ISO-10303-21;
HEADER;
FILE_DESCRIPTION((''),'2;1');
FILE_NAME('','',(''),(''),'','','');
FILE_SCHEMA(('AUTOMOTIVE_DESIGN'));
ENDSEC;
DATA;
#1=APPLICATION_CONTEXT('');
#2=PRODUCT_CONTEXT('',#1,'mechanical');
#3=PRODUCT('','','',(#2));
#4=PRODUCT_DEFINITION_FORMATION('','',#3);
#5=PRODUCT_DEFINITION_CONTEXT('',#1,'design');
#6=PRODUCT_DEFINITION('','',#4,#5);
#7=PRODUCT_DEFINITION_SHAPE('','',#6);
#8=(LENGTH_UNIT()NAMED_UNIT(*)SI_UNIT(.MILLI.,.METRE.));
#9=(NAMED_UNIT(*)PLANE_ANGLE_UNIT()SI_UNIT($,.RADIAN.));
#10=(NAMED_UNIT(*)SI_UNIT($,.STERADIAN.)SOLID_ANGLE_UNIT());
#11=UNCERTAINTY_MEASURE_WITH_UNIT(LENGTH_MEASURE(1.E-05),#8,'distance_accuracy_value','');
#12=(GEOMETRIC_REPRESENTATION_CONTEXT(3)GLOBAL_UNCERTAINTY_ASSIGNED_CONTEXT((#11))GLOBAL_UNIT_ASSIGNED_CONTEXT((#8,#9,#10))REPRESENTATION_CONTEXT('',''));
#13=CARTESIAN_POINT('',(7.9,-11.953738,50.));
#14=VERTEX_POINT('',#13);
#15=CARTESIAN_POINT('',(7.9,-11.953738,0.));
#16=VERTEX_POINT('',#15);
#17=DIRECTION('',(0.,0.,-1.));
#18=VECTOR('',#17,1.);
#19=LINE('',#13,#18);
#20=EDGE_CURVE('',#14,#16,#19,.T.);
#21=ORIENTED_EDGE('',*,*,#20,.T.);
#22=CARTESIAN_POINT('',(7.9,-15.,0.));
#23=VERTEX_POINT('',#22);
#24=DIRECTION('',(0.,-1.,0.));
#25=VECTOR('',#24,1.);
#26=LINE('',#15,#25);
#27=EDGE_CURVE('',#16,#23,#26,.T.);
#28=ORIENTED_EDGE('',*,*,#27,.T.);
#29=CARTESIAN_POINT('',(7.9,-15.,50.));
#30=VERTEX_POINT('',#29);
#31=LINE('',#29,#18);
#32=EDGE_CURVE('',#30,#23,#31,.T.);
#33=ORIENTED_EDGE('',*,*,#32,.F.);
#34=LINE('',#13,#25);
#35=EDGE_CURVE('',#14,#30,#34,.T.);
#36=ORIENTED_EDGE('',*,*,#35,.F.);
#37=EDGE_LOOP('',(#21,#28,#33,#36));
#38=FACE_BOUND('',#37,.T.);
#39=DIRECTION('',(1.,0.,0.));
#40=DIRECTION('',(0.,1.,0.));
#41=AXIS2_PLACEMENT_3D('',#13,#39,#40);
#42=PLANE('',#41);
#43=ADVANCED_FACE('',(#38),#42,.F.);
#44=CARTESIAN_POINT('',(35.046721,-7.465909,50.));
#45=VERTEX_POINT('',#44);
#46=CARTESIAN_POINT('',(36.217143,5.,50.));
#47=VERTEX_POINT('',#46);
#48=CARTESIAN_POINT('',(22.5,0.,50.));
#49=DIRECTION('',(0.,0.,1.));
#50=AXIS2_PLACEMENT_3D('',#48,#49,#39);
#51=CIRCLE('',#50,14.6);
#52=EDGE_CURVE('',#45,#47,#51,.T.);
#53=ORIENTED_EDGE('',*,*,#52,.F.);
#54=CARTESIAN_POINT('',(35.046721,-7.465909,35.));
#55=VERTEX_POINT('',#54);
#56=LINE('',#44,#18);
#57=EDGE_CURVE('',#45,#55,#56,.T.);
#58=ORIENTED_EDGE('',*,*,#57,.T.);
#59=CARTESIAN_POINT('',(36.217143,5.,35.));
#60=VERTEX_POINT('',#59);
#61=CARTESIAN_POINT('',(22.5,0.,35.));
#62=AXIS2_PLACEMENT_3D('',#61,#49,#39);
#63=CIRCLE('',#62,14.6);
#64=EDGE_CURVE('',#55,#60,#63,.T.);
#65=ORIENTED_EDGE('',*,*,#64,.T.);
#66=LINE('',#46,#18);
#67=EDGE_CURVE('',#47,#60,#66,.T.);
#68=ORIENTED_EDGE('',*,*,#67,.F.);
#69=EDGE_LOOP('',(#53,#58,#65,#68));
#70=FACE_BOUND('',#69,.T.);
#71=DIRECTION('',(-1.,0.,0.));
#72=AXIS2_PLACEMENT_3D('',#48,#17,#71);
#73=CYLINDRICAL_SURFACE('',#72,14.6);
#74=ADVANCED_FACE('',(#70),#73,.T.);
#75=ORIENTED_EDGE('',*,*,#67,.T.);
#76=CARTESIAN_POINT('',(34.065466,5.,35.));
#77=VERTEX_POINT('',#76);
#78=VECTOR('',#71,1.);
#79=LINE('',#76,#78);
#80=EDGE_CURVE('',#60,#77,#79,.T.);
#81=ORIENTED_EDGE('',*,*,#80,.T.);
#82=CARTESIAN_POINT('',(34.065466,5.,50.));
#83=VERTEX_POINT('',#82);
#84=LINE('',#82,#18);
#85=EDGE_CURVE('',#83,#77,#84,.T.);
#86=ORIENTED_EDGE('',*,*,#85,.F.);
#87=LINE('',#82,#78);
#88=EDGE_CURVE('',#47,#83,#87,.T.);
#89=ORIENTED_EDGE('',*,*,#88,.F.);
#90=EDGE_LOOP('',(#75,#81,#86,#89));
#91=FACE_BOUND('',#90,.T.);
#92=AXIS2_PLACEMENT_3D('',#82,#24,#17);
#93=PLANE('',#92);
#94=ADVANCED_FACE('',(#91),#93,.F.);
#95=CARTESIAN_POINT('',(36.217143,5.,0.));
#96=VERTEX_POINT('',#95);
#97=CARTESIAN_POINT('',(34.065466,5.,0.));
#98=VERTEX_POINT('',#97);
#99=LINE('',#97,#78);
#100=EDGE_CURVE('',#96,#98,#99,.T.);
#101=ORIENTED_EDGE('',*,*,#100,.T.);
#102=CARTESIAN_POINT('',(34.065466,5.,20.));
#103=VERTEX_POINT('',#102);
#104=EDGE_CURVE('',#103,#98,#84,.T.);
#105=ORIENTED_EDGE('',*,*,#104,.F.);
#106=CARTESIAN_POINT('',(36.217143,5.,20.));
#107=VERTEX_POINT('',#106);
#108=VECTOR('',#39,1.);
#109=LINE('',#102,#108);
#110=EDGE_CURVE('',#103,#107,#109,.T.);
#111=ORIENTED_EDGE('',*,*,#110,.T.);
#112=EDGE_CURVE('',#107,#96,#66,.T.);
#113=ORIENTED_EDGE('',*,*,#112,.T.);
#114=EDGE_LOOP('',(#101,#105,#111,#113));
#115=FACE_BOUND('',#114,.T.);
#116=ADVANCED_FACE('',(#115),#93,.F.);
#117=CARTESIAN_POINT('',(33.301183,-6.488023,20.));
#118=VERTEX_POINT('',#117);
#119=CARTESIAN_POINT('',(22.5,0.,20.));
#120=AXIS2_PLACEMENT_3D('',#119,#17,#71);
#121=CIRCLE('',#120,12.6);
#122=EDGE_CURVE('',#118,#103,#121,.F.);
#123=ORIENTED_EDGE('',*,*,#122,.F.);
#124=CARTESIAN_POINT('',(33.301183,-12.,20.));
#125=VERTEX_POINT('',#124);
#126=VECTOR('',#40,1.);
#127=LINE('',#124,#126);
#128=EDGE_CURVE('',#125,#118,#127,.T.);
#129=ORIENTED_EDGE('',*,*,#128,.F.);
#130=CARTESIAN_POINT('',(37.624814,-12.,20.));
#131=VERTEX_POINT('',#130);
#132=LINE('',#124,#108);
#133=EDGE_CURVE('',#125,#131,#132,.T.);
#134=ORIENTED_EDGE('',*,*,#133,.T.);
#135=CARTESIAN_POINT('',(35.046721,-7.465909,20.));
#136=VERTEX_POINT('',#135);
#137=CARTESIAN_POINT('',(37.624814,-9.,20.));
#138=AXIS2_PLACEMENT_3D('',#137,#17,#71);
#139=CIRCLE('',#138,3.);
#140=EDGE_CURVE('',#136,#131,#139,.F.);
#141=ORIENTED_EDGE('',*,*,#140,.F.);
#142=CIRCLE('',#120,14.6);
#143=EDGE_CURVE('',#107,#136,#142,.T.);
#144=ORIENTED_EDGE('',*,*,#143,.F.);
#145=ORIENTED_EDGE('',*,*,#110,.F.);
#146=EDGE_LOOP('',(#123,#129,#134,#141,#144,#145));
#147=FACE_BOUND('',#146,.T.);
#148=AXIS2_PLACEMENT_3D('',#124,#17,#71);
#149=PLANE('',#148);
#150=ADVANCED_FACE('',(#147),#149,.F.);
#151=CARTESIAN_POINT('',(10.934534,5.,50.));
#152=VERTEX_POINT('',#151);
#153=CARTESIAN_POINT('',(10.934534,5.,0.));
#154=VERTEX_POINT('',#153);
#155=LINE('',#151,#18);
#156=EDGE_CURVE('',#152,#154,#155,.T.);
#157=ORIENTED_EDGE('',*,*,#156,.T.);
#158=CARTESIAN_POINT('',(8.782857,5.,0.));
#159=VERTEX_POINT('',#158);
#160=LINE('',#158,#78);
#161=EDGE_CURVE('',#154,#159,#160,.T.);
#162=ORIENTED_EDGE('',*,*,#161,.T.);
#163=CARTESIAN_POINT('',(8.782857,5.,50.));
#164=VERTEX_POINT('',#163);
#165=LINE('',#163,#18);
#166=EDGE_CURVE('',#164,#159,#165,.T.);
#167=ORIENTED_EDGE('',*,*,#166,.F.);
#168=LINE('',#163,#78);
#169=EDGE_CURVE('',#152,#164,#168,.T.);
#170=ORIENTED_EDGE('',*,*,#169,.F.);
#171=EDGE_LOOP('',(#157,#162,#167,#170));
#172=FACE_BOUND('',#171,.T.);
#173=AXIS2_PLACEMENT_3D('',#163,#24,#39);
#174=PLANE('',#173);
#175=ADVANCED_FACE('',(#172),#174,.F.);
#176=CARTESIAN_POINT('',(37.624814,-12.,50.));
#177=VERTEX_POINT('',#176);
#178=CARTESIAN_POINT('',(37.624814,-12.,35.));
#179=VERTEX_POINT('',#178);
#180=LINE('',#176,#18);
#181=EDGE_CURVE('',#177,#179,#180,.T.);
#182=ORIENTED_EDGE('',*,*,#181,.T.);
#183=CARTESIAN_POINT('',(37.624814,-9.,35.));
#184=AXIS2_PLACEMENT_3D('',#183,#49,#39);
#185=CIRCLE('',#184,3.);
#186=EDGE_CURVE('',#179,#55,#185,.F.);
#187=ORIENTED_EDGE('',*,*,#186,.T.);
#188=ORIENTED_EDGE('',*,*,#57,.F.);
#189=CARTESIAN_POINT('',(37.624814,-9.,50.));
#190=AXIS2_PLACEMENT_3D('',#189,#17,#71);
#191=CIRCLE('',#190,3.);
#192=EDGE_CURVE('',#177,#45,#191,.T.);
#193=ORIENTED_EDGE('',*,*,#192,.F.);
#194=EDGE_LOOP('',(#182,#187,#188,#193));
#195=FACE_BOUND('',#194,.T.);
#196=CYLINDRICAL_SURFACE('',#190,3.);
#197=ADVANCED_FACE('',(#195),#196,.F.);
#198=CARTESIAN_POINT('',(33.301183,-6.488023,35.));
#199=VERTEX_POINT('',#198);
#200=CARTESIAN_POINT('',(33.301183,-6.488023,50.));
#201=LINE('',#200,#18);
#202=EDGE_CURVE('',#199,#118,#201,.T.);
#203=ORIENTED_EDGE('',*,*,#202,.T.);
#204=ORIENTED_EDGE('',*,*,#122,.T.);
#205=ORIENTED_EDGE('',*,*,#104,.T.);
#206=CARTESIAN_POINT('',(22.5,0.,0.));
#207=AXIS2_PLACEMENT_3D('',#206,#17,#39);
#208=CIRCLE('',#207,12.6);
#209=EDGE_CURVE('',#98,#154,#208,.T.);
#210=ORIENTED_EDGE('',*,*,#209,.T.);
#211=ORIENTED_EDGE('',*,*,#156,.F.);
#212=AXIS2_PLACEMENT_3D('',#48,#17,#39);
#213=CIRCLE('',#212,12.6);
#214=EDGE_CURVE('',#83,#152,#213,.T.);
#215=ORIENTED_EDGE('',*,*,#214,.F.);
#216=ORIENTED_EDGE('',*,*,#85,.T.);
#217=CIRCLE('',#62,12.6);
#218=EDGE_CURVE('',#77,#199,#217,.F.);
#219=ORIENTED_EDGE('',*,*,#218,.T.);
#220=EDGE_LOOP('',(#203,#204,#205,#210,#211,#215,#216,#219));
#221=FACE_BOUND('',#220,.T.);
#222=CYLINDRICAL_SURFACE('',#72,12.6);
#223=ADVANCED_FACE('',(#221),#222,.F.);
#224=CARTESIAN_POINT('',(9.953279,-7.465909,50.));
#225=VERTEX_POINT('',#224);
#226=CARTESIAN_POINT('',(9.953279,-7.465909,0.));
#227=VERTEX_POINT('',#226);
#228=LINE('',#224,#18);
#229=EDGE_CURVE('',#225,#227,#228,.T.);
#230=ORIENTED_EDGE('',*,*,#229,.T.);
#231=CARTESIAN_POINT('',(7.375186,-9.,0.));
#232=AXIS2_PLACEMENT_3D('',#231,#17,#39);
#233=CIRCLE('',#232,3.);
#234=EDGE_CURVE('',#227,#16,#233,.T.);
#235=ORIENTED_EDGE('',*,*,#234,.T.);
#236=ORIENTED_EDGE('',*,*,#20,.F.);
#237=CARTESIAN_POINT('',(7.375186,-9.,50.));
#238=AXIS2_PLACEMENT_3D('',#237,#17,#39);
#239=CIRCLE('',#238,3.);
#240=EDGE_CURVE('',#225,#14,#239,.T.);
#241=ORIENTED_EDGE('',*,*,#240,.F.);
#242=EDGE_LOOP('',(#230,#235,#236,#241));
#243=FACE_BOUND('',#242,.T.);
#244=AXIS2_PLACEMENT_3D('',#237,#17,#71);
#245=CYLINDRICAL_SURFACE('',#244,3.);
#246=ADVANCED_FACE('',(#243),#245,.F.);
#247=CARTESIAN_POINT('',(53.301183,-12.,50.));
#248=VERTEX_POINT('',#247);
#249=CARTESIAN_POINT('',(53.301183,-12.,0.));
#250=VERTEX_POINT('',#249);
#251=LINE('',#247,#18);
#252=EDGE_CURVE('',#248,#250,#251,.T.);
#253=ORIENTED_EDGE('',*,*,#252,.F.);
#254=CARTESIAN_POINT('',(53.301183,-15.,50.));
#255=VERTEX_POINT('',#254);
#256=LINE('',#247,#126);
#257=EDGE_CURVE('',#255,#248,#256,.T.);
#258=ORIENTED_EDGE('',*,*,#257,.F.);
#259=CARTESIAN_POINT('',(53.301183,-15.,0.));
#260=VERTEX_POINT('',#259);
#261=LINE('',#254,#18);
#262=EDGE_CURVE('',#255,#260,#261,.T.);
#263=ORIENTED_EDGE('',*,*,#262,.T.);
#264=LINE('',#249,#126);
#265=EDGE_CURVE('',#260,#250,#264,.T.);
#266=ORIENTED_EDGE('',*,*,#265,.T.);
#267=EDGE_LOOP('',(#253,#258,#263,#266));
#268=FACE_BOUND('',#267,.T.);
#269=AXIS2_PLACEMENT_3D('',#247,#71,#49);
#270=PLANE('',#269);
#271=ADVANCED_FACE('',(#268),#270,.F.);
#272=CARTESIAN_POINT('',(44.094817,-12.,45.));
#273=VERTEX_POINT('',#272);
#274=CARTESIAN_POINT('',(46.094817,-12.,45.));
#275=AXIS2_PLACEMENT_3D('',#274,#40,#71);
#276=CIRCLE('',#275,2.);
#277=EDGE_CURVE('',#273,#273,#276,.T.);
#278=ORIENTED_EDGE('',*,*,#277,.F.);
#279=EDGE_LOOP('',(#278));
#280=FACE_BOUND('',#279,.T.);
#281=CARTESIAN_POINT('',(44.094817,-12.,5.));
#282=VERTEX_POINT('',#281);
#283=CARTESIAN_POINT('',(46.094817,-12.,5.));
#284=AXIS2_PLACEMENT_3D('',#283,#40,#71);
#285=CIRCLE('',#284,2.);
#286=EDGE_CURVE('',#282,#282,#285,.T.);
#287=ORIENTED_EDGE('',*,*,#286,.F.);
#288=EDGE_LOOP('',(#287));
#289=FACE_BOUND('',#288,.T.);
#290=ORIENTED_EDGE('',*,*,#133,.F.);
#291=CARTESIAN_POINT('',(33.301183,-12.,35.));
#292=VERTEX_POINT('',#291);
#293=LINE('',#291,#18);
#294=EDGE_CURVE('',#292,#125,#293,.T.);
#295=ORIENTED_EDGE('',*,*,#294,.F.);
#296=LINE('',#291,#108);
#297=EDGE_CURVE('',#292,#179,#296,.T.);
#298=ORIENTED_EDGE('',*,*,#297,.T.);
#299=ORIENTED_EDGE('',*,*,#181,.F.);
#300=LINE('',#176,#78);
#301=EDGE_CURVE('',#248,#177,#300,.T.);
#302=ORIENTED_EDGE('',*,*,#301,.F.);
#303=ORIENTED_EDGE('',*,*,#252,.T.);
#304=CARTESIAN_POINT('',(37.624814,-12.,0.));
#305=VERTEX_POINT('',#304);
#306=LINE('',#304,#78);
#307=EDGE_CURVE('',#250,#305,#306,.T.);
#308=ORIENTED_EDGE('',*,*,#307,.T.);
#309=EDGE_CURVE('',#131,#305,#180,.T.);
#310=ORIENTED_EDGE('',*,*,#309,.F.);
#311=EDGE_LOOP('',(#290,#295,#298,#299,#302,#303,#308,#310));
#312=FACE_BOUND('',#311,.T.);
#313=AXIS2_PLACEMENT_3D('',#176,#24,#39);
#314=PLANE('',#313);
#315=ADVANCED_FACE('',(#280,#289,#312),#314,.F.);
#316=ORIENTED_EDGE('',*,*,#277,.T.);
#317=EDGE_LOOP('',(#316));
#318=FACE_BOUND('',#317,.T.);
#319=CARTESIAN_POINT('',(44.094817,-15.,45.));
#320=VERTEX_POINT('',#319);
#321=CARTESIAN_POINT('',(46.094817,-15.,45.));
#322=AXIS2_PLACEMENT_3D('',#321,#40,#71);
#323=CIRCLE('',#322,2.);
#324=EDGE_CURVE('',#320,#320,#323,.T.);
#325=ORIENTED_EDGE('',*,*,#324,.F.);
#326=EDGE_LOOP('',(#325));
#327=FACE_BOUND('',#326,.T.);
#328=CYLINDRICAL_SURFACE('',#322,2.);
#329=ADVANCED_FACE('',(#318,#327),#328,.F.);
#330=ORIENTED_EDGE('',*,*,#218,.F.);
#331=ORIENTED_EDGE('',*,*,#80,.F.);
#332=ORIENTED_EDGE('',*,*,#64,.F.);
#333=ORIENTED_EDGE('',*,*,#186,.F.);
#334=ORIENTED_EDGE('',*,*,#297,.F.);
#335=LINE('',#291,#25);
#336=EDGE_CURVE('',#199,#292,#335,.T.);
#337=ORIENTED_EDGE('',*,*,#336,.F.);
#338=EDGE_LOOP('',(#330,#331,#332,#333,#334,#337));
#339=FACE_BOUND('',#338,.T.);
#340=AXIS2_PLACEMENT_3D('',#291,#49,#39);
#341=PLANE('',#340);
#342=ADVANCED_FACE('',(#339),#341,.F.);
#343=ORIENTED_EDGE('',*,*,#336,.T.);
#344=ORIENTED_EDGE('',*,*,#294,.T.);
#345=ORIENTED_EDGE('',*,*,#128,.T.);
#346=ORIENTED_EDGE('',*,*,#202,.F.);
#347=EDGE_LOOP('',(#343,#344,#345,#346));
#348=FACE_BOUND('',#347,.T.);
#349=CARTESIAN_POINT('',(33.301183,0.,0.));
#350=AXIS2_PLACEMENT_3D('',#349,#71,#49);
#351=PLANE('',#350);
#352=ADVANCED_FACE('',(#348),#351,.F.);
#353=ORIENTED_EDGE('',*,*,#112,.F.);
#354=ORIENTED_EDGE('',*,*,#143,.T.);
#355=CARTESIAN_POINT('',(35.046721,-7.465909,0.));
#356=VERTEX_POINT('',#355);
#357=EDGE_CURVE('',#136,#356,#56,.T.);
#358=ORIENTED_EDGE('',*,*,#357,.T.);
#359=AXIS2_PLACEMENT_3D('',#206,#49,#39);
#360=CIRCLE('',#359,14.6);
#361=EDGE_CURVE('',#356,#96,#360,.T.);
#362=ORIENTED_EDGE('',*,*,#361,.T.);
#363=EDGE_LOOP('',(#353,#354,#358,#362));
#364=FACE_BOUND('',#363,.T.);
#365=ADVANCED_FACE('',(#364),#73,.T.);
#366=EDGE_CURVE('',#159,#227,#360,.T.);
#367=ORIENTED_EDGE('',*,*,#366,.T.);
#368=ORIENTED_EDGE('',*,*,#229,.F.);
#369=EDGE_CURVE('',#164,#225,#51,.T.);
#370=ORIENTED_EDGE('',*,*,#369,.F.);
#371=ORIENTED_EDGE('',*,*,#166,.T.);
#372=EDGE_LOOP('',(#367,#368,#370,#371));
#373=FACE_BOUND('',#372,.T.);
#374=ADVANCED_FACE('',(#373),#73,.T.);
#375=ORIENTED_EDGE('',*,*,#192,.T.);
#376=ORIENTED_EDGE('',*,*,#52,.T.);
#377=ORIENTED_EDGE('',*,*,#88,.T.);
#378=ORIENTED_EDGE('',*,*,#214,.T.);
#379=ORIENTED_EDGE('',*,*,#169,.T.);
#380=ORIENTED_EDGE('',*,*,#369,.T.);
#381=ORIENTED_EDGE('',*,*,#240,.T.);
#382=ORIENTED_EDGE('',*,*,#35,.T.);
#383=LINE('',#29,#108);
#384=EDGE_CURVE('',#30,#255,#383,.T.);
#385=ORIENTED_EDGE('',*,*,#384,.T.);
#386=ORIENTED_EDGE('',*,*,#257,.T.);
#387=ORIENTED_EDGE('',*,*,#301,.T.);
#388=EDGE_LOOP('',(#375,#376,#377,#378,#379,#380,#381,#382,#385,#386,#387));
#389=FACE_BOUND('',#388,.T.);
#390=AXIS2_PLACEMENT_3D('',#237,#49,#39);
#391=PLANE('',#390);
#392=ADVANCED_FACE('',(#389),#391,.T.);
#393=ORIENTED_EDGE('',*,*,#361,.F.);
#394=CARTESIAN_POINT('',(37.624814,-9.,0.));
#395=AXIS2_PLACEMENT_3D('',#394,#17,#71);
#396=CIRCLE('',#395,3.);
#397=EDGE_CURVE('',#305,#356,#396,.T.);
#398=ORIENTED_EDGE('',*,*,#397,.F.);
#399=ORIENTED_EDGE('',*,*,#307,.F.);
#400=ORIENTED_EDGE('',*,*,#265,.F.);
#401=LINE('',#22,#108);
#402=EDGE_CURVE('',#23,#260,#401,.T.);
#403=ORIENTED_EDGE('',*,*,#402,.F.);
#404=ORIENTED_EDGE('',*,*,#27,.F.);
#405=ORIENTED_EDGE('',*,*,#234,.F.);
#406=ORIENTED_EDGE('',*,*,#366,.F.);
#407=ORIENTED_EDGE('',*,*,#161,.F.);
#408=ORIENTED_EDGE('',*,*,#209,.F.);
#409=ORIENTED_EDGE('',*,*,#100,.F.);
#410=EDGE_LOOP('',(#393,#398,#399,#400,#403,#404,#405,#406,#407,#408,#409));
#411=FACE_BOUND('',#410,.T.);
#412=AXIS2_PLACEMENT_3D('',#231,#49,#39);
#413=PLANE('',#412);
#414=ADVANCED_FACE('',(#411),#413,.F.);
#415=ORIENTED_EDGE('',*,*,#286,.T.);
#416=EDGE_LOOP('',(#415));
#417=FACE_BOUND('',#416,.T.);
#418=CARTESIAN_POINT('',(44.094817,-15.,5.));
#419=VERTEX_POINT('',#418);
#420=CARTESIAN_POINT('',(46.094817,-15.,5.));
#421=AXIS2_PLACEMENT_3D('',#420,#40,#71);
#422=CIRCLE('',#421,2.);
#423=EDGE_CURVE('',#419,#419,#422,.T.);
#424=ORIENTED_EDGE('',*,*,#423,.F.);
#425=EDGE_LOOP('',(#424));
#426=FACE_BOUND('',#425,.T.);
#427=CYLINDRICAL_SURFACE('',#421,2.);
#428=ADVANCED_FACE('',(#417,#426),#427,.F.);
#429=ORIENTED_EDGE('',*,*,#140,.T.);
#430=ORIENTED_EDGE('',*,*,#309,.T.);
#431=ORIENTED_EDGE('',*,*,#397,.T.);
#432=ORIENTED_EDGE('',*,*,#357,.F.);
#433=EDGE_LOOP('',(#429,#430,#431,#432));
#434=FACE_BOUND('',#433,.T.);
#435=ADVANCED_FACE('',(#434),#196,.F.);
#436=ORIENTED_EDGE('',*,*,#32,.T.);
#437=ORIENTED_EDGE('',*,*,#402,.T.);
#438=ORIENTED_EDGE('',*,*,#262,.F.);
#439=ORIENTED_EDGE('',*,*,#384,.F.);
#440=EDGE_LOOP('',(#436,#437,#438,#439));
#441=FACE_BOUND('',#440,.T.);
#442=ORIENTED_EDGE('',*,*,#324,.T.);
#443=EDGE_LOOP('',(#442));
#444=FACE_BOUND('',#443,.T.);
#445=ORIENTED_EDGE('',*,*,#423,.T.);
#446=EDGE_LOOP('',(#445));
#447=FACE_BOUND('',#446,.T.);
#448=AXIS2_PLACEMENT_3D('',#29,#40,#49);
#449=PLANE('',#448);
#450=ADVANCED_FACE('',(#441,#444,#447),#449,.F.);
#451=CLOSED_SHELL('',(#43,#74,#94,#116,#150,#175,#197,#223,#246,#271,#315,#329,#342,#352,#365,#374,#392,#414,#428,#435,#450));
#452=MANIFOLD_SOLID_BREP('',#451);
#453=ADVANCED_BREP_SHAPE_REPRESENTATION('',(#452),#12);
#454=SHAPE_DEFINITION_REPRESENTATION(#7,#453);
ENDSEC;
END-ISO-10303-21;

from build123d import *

# Parameters (mm, degrees)
BOSS_EXTRUDE1_DEPTH = 50
SKETCH2_W           = 15
SKETCH2_H           = 20.436302067
CUT_EXTRUDE1_DEPTH  = 20
SKETCH3_R           = 2
CUT_EXTRUDE2_DEPTH  = 76.033433569


with BuildPart() as part:
    # Sketch1 → Boss-Extrude1 (new body)
    with BuildSketch(Plane.XY):
        with BuildLine():
            Line((34.065465836, 5), (36.21714256, 5))
            ThreePointArc((36.21714256, 5), (37.036070696, -1.364788891), (35.046720745, -7.465909091))
            ThreePointArc((35.046720745, -7.465909091), (35.016915208, -10.48285658), (37.624814048, -12))
            Line((37.624814048, -12), (53.301183412, -12))
            Line((53.301183412, -12), (53.301183412, -15))
            Line((53.301183412, -15), (7.9, -15))
            Line((7.9, -15), (7.9, -11.953738346))
            ThreePointArc((7.9, -11.953738346), (10.103218459, -10.248134062), (9.953279255, -7.465909091))
            ThreePointArc((9.953279255, -7.465909091), (7.963929304, -1.364788891), (8.78285744, 5))
            Line((8.78285744, 5), (10.934534164, 5))
            ThreePointArc((10.934534164, 5), (22.5, -12.6), (34.065465836, 5))
        make_face()
    extrude(amount=BOSS_EXTRUDE1_DEPTH)

    # Sketch2 → Cut-Extrude1 (cut)
    with BuildSketch(Plane(origin=(53.301183412, 0, 0), x_dir=(0, 0, -1), z_dir=(1, 0, 0))):
        with Locations((-27.5, -1.781848967)):
            Rectangle(SKETCH2_W, SKETCH2_H)
    extrude(amount=-CUT_EXTRUDE1_DEPTH, mode=Mode.SUBTRACT)

    # Sketch3 → Cut-Extrude2 (cut, through all)
    with BuildSketch(Plane(origin=(0, -12, 0), x_dir=(1, 0, 0), z_dir=(0, 1, 0))):
        with Locations(Location((46.094817468, -45, 0), (0, 0, 180))):
            Circle(SKETCH3_R)
        with Locations(Location((46.094817468, -5, 0), (0, 0, 180))):
            Circle(SKETCH3_R)
    extrude(amount=-CUT_EXTRUDE2_DEPTH, mode=Mode.SUBTRACT)


solid = part.part
